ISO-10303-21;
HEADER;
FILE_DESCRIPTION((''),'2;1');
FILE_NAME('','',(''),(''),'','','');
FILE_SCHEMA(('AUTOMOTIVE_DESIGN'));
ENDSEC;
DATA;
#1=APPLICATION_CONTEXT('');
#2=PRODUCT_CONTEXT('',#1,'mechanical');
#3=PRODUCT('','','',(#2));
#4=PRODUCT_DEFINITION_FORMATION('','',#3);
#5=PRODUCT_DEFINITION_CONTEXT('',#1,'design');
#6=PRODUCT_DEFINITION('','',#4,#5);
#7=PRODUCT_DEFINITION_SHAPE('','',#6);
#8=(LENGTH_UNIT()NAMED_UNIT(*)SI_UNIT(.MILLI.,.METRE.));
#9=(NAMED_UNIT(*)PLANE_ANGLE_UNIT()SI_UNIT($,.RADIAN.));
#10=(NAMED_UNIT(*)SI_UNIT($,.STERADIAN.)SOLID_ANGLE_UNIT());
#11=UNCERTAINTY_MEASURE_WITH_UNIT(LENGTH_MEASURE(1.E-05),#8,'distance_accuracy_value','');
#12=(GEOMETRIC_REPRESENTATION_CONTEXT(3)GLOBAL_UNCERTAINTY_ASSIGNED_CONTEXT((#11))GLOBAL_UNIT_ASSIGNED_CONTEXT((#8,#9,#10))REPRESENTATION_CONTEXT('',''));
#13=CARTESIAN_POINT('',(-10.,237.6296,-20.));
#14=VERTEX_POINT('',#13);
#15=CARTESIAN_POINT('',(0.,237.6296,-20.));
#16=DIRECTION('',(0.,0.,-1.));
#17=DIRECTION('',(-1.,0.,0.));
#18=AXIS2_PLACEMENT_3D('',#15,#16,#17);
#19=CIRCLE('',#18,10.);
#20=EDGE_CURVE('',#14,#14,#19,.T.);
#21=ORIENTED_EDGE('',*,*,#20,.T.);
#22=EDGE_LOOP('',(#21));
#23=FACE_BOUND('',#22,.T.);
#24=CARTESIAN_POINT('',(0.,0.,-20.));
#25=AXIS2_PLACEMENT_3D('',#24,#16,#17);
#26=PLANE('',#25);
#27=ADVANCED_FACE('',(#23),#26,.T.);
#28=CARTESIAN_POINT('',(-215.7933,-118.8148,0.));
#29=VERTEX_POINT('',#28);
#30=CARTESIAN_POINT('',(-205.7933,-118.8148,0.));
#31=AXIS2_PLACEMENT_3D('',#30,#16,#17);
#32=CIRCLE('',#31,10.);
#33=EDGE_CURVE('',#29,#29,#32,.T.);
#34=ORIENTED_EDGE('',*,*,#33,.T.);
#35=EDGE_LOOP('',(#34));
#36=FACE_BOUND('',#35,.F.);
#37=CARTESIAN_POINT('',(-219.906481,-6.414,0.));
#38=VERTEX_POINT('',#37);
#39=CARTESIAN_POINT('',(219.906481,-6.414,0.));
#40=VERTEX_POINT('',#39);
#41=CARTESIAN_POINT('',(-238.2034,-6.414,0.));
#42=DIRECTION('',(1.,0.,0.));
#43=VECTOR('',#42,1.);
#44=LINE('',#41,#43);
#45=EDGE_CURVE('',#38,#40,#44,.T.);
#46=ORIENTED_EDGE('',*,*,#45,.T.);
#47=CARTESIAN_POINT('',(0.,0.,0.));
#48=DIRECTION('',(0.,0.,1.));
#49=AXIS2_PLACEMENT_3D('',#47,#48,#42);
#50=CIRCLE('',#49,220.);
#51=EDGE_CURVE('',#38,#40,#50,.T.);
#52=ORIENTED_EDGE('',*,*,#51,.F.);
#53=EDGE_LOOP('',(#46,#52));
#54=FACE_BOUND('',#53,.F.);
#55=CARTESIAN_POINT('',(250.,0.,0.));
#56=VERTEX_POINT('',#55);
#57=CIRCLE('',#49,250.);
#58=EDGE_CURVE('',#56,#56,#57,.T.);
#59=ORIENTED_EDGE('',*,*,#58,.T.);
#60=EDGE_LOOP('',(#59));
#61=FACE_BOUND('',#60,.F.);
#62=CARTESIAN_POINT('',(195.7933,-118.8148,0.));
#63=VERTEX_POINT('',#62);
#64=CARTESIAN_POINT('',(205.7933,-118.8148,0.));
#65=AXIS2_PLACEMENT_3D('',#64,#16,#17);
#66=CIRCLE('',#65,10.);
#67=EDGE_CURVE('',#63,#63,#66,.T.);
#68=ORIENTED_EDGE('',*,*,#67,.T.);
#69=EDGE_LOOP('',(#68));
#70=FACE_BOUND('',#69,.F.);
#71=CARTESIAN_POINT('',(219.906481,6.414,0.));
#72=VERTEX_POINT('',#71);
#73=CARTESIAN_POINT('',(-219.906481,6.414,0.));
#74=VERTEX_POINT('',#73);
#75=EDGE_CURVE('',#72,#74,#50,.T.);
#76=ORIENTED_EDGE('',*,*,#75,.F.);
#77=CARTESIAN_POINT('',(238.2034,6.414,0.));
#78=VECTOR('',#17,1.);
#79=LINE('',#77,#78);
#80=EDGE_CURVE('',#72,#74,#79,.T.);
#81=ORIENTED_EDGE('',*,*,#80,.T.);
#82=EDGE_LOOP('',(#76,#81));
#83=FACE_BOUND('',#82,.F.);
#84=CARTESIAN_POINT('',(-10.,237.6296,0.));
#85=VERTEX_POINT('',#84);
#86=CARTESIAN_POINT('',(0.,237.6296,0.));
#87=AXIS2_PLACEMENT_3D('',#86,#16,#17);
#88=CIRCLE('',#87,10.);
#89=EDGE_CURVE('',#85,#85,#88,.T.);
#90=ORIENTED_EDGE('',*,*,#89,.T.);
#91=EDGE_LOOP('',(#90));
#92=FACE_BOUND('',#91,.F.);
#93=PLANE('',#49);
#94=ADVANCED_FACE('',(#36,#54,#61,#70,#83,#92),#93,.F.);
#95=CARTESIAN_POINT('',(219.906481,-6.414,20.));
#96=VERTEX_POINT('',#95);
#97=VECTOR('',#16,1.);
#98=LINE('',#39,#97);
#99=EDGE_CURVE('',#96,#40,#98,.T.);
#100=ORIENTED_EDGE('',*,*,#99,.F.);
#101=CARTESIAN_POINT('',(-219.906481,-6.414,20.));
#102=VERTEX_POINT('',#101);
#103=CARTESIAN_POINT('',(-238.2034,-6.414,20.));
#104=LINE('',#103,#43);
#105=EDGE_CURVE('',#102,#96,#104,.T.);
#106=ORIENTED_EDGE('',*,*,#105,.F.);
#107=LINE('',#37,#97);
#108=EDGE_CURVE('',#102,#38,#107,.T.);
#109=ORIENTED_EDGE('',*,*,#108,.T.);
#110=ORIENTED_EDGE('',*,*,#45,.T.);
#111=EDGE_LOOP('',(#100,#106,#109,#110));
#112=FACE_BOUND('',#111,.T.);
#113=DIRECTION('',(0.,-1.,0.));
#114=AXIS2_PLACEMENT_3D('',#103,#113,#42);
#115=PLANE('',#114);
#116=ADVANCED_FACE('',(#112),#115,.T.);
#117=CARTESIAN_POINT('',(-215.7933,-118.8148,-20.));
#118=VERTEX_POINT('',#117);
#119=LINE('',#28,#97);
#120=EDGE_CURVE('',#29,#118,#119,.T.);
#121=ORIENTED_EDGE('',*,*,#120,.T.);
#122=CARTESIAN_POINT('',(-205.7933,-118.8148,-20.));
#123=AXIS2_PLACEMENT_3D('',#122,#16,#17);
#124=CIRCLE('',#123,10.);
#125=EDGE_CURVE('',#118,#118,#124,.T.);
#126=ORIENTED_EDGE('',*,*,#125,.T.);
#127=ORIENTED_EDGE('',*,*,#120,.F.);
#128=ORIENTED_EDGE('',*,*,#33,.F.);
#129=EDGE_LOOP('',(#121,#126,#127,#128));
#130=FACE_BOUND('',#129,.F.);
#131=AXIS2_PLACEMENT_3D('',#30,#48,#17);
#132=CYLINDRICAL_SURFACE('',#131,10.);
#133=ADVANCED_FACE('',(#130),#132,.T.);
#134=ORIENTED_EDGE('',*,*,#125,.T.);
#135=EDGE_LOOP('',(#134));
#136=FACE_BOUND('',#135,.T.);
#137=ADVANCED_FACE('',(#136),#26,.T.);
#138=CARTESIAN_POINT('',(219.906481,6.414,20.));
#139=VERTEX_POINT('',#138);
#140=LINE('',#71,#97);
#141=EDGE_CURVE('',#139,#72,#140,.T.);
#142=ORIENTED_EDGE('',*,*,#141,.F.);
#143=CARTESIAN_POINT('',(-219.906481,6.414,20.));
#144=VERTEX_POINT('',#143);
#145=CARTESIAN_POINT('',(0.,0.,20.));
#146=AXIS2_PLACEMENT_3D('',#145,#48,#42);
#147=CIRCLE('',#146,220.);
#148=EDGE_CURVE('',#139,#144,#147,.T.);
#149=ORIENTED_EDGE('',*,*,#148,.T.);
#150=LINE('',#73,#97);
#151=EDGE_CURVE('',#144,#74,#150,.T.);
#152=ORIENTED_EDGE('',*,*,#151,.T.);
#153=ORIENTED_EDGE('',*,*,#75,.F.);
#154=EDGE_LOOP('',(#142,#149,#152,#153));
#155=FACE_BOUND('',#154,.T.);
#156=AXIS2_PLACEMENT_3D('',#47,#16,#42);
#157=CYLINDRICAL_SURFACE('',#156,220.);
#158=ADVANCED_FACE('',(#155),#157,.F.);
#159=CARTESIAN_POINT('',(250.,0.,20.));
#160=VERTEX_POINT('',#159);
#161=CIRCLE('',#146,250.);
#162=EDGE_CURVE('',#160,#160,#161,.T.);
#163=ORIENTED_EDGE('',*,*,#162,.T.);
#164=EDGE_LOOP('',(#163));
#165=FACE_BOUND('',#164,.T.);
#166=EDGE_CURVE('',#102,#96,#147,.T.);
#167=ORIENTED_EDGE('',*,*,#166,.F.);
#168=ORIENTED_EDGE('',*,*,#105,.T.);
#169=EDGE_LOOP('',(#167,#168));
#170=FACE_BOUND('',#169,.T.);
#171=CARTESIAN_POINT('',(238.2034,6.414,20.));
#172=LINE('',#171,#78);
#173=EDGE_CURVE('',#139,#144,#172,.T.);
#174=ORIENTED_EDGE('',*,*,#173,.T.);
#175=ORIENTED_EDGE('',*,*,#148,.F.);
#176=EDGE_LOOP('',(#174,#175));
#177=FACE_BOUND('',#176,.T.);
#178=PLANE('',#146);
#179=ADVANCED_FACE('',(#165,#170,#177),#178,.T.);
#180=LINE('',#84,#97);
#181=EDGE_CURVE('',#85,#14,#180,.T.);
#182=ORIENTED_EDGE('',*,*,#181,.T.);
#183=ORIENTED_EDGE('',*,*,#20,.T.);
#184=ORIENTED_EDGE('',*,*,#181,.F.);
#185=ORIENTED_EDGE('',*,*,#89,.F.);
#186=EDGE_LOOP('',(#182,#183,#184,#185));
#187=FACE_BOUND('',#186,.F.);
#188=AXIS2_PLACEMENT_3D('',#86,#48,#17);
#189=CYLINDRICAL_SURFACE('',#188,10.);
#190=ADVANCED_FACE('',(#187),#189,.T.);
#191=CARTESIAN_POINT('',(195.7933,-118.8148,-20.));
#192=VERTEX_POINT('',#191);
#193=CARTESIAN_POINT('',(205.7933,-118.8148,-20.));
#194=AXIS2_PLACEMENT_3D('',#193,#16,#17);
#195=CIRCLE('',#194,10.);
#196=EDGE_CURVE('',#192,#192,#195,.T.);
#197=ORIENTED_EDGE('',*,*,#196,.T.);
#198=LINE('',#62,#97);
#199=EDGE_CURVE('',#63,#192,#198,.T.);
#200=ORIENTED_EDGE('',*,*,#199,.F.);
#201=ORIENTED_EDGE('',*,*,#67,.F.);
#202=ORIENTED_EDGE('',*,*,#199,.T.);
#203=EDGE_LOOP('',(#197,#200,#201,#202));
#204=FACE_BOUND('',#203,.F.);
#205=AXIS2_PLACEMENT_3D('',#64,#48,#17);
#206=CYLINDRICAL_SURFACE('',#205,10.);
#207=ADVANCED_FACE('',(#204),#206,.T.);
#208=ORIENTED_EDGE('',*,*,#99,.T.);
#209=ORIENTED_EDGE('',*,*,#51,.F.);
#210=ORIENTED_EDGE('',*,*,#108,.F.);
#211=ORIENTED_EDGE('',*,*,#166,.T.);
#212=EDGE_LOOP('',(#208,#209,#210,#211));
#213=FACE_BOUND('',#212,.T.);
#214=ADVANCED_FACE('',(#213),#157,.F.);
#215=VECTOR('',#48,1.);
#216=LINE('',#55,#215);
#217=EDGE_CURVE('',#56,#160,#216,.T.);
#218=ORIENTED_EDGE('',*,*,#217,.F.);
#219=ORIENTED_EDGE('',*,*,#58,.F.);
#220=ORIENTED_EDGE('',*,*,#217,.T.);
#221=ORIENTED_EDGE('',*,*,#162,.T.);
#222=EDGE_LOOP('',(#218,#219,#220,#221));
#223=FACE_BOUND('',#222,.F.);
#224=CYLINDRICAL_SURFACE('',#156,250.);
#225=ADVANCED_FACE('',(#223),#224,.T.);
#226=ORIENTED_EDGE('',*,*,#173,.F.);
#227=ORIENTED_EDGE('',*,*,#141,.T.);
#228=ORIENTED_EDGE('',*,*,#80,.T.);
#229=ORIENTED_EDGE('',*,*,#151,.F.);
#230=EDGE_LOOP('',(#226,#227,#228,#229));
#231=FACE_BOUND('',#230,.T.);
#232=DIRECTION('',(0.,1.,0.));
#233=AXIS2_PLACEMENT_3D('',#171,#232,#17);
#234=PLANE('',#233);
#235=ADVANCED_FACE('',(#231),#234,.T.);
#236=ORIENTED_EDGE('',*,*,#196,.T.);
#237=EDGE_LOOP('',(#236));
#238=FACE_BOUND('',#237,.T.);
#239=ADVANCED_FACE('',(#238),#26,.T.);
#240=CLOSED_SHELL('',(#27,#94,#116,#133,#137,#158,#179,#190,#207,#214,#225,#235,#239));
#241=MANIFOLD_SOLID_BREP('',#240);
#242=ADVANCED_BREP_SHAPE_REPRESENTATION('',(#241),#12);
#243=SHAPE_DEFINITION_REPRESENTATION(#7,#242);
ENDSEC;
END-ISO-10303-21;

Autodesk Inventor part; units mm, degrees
ref_plane "YZ Plane" through (0, 0, 0) normal (1, 0, 0) x (0, 1, 0)
ref_plane "XZ Plane" through (0, 0, 0) normal (0, 1, 0) x (-1, 0, 0)
ref_plane "XY Plane" through (0, 0, 0) normal (0, 0, 1) x (1, 0, 0)
sketch "Sketch1" plane through (0, 0, 0) normal (0, 0, 1) x (1, 0, 0)
  circle A0 centre (0, 0) radius 250
  circle A1 centre (0, 0) radius 220
  dimension "d0" = 500
  dimension "d1" = 30
extrude "Extrusion1" add sketch "Sketch1" along normal blind 20
sketch "Sketch2" plane through (0, 0, 0) normal (0, 0, -1) x (-1, 0, 0)
  circle A0 centre (0, 237.6296) radius 10
  circle A1 centre (-205.7933, -118.8148) radius 10
  circle A2 centre (205.7933, -118.8148) radius 10
  point P0 (0, 0)
  dimension "d4" = 20
  dimension "d7" = 360
extrude "Extrusion2" add sketch "Sketch2" along normal blind 20
sketch "Sketch4" plane through (0, 0, 20) normal (0, 0, 1) x (1, 0, 0)
  line L0 (-238.2034, -6.414) -> (238.2034, -6.414)
  line L1 (238.2034, -6.414) -> (238.2034, 6.414)
  line L2 (238.2034, 6.414) -> (-238.2034, 6.414)
  line L3 (-238.2034, 6.414) -> (-238.2034, -6.414)
  line L4 (-238.2034, -6.414) -> (238.2034, 6.414) construction
  line L5 (238.2034, -6.414) -> (-238.2034, 6.414) construction
  point P0 (0, 0)
extrude "Extrusion3" add sketch "Sketch4" against normal blind 20
properties part number "platforma" material "Steel"
